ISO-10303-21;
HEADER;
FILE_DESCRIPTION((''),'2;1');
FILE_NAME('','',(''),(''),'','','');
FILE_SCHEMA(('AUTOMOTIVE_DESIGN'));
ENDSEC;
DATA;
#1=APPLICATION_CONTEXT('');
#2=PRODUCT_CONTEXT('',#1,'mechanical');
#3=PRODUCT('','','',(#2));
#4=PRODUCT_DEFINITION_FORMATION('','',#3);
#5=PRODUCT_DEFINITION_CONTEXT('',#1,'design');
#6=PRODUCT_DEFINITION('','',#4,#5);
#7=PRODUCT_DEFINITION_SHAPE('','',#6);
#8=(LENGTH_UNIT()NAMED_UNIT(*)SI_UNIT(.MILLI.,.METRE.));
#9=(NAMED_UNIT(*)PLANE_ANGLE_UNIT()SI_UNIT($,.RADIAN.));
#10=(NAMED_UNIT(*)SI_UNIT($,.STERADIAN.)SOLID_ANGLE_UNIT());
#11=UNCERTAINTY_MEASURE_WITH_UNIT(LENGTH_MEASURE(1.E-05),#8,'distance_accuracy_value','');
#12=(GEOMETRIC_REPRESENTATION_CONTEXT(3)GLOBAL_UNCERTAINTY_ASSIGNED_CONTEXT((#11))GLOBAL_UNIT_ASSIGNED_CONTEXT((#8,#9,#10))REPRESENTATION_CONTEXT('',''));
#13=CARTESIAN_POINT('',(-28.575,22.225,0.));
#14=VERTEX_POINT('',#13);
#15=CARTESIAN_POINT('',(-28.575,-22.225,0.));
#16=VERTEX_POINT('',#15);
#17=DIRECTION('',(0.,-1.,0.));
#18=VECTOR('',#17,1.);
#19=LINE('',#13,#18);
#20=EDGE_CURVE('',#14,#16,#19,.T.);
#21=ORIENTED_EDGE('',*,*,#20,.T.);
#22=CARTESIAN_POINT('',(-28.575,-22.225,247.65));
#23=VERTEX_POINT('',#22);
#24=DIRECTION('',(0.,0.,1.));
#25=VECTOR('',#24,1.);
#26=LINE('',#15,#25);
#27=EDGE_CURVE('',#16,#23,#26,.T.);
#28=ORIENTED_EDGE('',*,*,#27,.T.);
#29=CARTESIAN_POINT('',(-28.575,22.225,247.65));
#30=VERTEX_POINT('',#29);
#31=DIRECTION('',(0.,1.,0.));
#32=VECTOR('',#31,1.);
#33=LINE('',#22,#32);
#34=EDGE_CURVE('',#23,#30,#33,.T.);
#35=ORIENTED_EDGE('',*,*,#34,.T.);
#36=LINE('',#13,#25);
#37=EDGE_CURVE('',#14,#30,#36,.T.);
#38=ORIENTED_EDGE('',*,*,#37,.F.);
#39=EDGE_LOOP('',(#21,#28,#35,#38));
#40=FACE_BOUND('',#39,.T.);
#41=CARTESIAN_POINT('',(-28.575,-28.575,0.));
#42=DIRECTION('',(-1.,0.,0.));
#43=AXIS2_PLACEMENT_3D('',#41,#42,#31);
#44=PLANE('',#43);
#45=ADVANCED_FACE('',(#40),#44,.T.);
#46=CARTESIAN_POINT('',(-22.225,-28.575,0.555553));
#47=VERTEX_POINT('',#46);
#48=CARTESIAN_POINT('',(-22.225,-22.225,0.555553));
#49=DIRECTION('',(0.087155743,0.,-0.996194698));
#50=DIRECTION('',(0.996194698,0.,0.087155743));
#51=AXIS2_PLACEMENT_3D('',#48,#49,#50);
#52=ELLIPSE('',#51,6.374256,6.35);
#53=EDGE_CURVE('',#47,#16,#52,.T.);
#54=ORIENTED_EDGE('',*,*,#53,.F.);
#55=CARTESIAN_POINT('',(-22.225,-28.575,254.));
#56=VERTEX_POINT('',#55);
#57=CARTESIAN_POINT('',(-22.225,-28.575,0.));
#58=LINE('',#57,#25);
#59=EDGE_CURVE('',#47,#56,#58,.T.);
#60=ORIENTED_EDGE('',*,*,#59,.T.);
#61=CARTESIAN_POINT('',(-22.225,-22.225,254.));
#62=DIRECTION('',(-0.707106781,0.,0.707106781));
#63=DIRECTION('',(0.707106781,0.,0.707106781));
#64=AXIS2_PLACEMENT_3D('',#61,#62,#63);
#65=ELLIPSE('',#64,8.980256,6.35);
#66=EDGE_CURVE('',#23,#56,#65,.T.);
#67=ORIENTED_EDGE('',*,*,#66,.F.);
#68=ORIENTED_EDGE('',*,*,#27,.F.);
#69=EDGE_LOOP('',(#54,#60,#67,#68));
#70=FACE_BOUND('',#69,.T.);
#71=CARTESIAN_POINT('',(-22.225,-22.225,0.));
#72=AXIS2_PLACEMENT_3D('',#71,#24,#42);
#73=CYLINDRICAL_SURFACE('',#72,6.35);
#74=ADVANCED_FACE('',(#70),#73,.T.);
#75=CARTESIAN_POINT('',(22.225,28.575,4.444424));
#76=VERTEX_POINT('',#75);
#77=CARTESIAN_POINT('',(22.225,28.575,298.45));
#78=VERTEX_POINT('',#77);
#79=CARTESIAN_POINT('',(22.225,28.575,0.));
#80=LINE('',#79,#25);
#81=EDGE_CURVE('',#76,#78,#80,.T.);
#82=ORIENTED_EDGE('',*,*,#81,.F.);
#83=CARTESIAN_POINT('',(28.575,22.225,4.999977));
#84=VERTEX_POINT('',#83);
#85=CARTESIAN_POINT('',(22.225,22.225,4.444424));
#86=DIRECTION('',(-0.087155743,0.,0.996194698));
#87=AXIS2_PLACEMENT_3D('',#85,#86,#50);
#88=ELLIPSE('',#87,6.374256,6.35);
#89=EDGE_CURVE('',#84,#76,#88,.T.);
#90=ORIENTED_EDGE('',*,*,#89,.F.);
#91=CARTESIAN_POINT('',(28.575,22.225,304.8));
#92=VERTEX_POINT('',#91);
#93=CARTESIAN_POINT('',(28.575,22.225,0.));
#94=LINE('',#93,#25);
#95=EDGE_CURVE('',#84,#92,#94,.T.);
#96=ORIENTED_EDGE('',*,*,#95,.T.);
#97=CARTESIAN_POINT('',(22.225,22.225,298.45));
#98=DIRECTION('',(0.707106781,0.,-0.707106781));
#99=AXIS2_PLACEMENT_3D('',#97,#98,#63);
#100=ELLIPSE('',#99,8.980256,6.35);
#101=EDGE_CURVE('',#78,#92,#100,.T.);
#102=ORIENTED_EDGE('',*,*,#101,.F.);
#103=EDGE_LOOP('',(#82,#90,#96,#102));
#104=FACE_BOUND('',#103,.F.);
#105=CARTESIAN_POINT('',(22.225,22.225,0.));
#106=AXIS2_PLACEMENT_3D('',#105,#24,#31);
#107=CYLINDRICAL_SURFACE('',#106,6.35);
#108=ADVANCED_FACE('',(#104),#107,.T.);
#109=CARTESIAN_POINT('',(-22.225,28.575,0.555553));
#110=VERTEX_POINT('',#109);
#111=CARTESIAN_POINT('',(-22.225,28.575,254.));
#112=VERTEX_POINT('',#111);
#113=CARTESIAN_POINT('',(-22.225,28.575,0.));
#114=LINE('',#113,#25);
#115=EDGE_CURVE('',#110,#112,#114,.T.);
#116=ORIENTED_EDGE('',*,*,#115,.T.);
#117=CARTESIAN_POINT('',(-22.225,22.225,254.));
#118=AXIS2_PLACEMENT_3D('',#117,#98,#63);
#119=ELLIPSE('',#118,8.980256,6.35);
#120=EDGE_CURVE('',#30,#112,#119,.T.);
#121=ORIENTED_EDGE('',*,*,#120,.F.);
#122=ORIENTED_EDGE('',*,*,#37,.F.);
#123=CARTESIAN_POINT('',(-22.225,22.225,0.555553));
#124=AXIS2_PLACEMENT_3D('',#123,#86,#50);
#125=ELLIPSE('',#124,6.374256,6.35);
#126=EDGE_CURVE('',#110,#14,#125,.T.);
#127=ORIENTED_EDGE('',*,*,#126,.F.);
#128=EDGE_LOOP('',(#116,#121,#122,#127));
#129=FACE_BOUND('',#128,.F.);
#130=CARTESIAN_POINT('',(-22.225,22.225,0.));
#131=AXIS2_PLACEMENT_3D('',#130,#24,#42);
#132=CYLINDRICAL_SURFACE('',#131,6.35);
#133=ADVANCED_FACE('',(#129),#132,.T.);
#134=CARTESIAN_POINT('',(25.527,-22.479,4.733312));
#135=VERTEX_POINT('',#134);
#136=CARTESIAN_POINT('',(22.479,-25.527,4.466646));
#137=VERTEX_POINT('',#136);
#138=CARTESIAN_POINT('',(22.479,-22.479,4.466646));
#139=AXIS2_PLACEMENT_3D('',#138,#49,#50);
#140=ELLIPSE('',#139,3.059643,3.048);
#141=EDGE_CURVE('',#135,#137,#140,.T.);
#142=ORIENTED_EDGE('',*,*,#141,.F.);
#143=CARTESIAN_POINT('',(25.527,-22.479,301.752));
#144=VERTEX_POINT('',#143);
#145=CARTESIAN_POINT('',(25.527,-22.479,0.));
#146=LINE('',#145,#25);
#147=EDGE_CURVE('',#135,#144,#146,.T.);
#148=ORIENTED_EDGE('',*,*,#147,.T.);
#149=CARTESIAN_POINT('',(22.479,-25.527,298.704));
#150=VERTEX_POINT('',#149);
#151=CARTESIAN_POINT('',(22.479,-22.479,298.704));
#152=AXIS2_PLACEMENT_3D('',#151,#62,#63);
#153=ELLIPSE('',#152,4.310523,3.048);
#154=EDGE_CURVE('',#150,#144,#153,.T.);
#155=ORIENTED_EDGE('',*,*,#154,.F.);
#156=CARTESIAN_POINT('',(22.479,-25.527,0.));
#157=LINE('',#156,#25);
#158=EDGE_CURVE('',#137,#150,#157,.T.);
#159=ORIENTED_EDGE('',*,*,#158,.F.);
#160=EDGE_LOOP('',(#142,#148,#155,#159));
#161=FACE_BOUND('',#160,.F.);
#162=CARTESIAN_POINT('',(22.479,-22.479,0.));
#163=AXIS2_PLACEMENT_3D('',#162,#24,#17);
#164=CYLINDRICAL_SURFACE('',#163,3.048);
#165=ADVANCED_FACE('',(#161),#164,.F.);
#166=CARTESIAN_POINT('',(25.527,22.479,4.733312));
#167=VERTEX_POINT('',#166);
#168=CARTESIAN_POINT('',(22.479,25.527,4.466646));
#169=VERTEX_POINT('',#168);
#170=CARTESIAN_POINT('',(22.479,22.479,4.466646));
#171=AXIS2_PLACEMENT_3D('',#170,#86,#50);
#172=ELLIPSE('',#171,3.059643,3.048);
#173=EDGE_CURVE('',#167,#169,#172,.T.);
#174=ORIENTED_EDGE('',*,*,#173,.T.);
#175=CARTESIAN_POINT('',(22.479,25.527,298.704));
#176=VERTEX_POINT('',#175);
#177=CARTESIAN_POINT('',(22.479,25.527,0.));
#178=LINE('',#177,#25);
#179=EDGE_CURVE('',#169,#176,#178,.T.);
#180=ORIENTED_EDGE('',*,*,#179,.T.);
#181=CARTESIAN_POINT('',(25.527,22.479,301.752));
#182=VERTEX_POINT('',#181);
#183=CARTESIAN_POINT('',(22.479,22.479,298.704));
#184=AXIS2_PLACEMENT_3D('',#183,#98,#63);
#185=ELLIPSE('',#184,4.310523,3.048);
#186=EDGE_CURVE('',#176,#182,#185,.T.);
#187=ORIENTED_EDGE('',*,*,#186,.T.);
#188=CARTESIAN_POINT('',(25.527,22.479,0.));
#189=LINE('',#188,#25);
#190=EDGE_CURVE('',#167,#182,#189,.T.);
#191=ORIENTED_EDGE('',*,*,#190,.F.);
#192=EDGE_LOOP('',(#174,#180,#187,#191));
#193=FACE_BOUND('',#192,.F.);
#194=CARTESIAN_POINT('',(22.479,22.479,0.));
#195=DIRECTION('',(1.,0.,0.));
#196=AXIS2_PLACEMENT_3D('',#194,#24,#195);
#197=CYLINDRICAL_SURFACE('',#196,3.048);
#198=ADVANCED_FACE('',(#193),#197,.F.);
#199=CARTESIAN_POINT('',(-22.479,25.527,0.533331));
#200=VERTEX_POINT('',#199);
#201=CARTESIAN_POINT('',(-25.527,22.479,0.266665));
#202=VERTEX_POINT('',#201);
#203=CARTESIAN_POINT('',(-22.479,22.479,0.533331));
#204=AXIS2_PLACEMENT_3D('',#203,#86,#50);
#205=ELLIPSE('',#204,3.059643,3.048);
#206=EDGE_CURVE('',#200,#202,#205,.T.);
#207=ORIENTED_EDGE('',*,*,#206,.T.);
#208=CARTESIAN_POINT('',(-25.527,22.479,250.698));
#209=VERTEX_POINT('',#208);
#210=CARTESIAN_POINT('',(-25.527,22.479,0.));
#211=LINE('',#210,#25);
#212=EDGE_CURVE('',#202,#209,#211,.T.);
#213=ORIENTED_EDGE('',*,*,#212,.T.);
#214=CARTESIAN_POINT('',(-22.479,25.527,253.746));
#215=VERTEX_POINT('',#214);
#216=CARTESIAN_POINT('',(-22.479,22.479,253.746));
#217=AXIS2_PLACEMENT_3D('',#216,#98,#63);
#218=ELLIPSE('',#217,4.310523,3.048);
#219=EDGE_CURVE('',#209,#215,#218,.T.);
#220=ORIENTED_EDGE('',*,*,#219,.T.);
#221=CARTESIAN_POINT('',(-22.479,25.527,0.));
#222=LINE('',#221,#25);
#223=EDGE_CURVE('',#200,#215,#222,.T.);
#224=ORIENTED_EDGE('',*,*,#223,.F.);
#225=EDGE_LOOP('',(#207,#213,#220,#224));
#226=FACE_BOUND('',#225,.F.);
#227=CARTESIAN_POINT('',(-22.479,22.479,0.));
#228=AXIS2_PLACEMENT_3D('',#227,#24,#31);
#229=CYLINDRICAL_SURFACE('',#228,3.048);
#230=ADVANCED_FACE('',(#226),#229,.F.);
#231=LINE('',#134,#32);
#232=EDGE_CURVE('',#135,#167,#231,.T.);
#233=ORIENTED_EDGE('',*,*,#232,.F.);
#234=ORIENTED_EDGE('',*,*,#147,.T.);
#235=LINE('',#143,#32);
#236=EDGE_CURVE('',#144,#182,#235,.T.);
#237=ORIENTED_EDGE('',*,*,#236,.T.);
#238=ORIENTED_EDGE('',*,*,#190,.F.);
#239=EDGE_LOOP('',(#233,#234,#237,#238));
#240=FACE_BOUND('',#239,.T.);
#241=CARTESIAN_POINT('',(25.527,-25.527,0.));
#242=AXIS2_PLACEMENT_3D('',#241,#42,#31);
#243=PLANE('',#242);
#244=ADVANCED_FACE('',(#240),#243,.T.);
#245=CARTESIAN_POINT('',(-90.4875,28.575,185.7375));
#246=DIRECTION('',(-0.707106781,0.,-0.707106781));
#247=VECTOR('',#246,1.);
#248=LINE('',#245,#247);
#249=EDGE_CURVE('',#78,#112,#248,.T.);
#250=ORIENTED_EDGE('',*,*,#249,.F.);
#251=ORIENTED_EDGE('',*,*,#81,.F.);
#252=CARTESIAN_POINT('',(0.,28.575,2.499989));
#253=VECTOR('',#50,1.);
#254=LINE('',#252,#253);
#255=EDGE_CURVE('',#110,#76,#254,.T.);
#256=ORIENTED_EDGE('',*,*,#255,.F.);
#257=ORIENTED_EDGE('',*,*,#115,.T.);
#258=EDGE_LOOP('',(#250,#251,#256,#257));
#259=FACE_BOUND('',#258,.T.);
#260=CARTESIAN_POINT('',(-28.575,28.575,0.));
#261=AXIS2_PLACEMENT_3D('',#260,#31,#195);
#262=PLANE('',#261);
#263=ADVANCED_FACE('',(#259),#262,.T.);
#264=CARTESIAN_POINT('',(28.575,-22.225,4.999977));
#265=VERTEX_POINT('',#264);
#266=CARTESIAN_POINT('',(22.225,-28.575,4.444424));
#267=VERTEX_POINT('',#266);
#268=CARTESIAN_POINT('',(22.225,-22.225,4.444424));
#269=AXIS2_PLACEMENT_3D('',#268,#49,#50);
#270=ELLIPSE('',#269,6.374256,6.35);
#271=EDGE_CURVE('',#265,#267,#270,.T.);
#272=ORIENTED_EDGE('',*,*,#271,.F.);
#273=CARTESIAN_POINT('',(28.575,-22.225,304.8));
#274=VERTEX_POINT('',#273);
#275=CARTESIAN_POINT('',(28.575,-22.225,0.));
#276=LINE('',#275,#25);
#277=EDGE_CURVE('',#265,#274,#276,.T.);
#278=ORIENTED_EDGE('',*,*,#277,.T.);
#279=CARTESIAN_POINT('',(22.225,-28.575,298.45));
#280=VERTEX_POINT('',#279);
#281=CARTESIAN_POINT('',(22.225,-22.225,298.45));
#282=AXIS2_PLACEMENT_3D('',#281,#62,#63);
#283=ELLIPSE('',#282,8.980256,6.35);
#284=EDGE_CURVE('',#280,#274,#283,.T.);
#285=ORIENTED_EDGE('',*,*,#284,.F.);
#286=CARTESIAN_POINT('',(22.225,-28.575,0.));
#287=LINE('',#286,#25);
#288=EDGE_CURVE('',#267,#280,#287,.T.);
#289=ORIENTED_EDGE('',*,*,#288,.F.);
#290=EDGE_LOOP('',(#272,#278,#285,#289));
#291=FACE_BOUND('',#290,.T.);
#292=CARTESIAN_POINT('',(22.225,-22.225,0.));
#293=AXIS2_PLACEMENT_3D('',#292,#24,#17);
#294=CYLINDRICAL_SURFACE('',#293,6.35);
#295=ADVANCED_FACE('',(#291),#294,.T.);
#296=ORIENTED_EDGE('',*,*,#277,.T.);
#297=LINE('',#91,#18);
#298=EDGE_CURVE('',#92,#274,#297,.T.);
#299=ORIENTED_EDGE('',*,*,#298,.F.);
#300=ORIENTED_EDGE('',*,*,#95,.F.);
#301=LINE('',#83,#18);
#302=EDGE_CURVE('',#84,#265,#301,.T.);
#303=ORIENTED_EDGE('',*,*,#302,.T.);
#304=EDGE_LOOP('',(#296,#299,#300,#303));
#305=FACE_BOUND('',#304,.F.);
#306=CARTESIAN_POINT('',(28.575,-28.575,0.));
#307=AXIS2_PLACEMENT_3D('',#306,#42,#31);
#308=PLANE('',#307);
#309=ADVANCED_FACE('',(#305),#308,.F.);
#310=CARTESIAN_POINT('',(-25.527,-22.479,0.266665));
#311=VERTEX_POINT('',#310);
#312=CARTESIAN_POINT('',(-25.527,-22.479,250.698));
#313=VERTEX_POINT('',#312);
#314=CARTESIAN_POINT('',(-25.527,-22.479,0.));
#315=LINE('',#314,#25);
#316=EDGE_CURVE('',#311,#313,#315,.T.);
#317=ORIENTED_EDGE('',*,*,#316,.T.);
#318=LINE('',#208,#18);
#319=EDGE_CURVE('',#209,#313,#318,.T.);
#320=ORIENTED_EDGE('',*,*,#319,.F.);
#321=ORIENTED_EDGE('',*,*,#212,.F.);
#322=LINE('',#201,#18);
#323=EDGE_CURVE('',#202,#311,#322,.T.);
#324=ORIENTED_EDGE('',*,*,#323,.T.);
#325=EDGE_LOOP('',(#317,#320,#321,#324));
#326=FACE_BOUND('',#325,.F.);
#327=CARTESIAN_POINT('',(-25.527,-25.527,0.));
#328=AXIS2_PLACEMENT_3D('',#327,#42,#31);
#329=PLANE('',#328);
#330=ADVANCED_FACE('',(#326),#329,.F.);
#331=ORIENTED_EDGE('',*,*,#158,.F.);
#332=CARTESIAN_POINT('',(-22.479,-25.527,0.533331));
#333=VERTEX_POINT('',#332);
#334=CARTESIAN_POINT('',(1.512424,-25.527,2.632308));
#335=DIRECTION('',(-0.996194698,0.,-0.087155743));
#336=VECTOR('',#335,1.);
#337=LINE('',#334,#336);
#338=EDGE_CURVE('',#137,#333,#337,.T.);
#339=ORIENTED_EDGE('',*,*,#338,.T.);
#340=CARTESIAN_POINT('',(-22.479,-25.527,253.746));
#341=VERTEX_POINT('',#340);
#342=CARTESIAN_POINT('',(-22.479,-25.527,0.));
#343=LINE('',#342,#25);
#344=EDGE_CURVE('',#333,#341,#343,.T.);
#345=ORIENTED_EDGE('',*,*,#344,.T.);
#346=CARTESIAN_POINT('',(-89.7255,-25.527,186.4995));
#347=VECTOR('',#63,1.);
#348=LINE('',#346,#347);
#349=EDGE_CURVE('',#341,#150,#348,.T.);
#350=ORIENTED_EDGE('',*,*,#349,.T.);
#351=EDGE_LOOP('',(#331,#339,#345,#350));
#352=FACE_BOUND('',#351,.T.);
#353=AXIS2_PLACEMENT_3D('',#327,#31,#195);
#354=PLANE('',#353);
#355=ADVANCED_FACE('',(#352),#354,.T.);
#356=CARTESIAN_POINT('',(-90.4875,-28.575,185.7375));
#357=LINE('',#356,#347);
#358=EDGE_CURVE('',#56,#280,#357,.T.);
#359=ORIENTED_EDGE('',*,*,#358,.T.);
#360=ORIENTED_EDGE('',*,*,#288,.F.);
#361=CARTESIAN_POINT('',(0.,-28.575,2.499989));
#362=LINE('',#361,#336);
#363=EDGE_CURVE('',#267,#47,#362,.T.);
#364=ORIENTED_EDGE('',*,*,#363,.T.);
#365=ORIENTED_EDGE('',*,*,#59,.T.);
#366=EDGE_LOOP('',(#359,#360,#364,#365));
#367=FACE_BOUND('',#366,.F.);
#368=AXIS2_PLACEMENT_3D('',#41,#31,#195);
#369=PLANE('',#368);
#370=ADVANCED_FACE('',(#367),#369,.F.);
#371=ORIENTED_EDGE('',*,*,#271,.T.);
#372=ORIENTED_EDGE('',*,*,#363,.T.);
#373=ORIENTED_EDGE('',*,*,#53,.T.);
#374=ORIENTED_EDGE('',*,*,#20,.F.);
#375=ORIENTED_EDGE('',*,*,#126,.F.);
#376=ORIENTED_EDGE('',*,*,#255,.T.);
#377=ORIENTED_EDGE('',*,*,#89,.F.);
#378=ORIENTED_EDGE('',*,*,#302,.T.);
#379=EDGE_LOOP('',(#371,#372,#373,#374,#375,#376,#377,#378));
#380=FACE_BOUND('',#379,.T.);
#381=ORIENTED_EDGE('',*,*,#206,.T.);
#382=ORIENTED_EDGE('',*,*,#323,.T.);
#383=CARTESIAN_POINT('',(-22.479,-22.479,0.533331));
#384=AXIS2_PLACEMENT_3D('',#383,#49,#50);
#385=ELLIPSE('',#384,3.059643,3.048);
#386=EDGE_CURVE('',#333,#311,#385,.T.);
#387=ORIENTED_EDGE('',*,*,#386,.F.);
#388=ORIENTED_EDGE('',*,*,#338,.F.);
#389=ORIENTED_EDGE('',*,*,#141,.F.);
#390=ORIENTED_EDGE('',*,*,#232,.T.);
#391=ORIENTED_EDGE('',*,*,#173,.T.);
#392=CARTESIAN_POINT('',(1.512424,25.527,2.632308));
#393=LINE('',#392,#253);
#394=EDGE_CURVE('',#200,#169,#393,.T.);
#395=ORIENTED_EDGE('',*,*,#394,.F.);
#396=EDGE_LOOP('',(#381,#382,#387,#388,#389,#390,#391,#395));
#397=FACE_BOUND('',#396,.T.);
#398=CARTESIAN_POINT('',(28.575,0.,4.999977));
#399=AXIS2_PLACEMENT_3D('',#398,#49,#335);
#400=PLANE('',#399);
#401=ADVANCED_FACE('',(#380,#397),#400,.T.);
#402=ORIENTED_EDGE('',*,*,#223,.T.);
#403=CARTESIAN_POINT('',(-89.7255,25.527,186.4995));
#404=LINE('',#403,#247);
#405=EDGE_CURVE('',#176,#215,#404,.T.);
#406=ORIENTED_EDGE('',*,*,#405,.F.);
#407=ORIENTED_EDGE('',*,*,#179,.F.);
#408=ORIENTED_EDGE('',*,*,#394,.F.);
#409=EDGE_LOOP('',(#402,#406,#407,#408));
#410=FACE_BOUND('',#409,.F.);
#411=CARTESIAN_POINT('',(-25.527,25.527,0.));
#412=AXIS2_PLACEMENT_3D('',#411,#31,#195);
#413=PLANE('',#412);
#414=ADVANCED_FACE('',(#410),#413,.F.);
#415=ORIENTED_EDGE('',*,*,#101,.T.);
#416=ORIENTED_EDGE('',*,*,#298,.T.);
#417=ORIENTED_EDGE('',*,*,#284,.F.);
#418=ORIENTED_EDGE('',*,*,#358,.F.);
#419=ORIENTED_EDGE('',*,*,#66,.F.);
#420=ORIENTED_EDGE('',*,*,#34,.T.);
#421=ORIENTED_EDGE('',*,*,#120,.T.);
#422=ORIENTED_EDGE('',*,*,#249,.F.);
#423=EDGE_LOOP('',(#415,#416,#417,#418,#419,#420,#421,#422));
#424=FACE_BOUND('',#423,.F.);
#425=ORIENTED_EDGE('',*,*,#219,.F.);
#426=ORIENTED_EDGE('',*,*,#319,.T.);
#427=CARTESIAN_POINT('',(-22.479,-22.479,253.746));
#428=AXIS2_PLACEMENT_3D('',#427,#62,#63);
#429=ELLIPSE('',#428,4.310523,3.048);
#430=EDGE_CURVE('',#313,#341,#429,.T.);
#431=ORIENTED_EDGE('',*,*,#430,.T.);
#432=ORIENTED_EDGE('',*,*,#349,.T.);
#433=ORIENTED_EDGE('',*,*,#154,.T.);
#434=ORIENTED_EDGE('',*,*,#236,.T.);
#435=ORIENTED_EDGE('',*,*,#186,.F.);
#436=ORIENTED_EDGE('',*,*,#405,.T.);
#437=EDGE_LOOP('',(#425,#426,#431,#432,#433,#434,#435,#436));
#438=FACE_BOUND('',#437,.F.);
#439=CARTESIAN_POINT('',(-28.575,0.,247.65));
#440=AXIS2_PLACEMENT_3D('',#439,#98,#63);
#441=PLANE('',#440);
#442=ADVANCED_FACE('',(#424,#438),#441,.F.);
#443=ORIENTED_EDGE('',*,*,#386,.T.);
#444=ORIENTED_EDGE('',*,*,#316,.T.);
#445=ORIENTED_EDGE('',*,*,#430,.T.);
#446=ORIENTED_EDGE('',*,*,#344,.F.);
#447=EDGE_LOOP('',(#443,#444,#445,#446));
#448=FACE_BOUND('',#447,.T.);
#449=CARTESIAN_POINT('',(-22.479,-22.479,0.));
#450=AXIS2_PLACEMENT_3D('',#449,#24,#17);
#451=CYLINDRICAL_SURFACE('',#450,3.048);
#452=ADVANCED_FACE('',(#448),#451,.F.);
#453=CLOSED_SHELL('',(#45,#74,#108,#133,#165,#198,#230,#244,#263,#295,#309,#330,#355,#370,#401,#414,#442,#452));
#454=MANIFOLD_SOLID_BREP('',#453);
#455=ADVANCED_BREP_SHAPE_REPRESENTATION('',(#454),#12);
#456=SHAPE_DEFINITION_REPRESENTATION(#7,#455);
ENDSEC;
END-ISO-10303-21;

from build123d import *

# Parameters (mm, degrees)
F0_W          = 57.15
F0_H          = 57.15
F0_W_2        = 51.054
F0_H_2        = 51.054
F1_DEPTH      = 304.8
F2_R          = 3.048
F3_R          = 6.35
F5_DEPTH      = 28.576
F5_DEPTH_BACK = 28.576
F7_DEPTH      = 28.576
F7_DEPTH_BACK = 28.576


with BuildPart() as f1:
    # F0 (on Top) → F1 (new body)
    with BuildSketch(Plane.XY):
        Rectangle(F0_W, F0_H)
        Rectangle(F0_W_2, F0_H_2, mode=Mode.SUBTRACT)
    extrude(amount=F1_DEPTH)

    # F2
    f2_edges = [f1.edges().sort_by_distance(p)[0] for p in [
        (25.527, 25.527, 152.4),
        (-25.527, 25.527, 152.4),
        (-25.527, -25.527, 152.4),
        (25.527, -25.527, 152.4),
    ]]
    fillet(f2_edges, radius=F2_R)

    # F3
    f3_edges = [f1.edges().sort_by_distance(p)[0] for p in [
        (-28.575, 28.575, 152.4),
        (-28.575, -28.575, 152.4),
        (28.575, -28.575, 152.4),
        (28.575, 28.575, 152.4),
    ]]
    fillet(f3_edges, radius=F3_R)

    # F4 (on Front) → F5 (cut, two sides)
    with BuildSketch(Plane.XZ) as f5_sk:
        Polygon((-28.575, 247.65), (28.575, 304.8), (-28.575, 304.8), align=None)
    extrude(amount=-F5_DEPTH, mode=Mode.SUBTRACT)
    extrude(f5_sk.sketch, amount=F5_DEPTH_BACK, mode=Mode.SUBTRACT)

    # F6 (on Front) → F7 (cut, two sides)
    with BuildSketch(Plane.XZ) as f7_sk:
        Polygon((28.575, 4.9999771205), (-28.575, 0), (28.575, 0), align=None)
    extrude(amount=-F7_DEPTH, mode=Mode.SUBTRACT)
    extrude(f7_sk.sketch, amount=F7_DEPTH_BACK, mode=Mode.SUBTRACT)


solid = f1.part
